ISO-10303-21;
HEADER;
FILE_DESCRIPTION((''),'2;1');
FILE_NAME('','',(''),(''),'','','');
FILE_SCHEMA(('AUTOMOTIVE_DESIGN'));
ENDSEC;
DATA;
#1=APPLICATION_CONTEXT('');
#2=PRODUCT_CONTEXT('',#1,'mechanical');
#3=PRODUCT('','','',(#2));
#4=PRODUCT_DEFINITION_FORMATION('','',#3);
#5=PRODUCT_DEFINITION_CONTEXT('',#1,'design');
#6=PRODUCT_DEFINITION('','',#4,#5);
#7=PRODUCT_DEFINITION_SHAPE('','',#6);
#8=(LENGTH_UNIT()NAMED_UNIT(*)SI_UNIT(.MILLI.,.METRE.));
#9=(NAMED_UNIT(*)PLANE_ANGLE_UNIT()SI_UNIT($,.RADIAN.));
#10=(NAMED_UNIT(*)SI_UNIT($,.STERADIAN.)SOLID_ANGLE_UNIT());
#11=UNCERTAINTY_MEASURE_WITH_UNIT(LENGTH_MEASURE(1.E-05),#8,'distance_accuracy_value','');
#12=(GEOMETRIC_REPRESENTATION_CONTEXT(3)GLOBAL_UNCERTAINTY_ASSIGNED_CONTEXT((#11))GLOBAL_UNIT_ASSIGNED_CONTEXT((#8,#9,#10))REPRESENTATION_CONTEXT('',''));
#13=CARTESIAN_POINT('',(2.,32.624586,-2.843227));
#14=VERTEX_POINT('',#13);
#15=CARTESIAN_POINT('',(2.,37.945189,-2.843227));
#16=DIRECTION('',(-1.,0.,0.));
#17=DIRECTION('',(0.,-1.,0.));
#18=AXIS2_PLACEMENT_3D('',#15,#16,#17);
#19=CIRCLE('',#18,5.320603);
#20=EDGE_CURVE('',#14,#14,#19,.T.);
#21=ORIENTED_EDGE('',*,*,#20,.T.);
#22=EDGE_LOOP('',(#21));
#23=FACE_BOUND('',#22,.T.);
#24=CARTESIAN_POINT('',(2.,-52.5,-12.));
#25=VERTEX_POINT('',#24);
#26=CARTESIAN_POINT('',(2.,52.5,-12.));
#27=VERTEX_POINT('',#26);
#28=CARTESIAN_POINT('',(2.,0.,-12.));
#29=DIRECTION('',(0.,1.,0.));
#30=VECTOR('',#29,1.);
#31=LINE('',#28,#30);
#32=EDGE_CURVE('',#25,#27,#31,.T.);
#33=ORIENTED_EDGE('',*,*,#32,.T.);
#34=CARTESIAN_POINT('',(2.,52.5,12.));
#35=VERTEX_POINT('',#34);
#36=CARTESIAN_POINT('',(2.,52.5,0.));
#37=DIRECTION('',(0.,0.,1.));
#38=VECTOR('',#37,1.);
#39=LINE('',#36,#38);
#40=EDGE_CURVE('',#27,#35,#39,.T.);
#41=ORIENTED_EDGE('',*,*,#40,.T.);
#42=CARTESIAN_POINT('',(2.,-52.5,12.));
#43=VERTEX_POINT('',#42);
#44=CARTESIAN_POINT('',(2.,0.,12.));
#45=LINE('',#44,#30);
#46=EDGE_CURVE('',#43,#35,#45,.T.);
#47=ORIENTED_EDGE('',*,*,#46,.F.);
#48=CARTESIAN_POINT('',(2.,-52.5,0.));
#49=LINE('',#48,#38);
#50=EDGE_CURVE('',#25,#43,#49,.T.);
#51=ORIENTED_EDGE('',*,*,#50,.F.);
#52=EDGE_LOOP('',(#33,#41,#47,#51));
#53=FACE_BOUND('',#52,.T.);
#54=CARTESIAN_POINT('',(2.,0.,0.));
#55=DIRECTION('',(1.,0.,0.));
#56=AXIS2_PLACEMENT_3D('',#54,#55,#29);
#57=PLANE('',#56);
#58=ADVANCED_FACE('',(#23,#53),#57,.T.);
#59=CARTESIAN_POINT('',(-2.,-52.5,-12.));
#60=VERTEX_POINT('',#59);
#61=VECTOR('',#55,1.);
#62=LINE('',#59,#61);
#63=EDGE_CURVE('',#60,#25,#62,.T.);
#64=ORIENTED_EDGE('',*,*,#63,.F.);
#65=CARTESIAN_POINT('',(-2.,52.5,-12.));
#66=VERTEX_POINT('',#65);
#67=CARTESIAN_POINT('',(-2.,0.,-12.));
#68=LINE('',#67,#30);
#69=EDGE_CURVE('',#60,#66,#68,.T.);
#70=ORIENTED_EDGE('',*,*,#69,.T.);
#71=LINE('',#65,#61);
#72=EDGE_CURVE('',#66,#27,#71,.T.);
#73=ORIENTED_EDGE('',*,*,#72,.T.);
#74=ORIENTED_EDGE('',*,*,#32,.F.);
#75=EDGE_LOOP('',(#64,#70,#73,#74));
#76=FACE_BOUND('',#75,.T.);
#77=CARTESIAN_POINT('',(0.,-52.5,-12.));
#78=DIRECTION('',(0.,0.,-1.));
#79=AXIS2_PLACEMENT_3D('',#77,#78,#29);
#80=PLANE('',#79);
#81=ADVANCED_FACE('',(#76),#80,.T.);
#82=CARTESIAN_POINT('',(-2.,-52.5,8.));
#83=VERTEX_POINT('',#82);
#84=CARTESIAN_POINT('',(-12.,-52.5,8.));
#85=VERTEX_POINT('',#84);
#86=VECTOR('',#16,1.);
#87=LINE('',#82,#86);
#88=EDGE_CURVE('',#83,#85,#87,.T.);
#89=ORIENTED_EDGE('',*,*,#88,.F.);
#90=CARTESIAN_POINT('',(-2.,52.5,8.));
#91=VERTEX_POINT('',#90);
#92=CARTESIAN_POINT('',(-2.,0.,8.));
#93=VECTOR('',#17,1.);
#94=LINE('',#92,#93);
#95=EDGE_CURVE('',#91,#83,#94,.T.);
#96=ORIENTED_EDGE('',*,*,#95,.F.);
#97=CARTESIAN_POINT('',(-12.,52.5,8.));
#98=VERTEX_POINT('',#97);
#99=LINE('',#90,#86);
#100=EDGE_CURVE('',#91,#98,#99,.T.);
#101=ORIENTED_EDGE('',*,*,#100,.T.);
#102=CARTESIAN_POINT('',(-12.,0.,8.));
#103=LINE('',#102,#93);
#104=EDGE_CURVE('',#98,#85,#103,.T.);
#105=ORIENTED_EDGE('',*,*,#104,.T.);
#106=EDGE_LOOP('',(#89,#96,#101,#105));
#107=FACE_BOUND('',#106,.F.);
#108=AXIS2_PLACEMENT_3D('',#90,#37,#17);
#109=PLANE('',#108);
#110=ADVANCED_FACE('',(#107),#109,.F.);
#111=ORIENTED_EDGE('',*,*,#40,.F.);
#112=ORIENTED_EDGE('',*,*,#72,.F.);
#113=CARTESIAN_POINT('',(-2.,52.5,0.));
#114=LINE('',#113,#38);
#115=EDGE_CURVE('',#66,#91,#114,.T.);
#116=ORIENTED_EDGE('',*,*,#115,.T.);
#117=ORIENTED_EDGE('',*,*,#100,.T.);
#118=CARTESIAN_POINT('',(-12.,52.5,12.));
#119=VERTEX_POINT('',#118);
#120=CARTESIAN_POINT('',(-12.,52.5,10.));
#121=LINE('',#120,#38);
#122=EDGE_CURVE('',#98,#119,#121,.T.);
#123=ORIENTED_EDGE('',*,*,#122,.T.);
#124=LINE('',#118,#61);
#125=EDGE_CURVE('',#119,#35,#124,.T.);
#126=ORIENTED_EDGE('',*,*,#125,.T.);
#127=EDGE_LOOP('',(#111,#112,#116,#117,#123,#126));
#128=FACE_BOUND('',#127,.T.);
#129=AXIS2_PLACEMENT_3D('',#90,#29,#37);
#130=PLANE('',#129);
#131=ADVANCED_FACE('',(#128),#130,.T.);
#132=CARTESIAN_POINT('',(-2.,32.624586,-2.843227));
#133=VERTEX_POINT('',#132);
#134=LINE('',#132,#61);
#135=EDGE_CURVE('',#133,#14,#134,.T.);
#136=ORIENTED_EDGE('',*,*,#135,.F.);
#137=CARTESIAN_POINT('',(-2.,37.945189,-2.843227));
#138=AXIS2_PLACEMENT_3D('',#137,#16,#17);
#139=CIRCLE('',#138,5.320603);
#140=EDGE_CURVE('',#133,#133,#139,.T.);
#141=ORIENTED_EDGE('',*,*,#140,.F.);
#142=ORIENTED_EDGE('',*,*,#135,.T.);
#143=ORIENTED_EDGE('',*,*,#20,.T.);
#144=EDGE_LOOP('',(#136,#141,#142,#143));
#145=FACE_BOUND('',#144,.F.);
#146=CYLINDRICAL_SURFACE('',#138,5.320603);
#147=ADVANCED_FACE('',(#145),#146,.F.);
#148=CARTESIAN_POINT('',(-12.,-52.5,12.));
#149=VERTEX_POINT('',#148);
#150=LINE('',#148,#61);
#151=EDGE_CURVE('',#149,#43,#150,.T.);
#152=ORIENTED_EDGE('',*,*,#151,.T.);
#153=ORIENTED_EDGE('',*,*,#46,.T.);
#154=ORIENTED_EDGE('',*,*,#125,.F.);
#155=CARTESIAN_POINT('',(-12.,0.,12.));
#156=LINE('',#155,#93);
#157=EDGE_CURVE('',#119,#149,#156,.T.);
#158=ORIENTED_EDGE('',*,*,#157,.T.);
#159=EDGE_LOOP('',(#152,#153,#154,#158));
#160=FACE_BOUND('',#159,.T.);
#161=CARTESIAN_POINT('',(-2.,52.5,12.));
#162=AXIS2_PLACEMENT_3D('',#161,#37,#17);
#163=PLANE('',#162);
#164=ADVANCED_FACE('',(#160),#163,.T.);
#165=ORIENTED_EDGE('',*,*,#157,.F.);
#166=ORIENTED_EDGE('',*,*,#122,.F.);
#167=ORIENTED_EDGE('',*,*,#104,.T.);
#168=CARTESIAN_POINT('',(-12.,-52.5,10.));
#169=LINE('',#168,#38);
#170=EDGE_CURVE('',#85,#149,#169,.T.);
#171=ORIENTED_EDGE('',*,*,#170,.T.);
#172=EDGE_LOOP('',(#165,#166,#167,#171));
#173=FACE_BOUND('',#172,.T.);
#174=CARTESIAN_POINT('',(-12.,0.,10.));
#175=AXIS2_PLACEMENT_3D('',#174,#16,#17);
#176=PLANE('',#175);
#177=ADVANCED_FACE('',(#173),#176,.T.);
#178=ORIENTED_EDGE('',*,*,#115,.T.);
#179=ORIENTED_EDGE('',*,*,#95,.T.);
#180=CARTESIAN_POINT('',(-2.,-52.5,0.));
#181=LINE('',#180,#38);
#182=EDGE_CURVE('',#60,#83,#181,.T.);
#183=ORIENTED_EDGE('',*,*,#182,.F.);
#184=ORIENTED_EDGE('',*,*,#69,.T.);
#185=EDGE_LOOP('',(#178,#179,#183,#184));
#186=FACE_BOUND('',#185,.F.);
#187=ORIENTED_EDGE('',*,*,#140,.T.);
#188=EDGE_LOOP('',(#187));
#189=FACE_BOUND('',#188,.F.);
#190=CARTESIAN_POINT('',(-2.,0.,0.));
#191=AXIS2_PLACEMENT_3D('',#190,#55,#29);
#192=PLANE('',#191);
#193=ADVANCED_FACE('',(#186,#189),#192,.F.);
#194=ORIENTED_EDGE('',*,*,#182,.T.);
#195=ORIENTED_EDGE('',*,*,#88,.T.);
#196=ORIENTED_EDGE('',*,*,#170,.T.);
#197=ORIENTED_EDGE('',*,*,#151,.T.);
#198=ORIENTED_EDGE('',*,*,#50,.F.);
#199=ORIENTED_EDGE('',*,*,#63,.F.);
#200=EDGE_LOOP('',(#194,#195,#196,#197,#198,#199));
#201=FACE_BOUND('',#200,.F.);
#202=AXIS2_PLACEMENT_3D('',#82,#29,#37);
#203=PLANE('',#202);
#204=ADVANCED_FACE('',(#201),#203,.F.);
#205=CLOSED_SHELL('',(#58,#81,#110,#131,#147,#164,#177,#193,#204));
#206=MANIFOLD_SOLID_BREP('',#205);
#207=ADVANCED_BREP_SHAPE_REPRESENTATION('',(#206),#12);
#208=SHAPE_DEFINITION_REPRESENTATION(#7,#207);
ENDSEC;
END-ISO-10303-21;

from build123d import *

# Parameters (mm, degrees)
F0_W          = 105
F0_H          = 24
F1_DEPTH      = 2
F1_DEPTH_BACK = 2
F2_W          = 105
F2_H          = 4
F3_DEPTH      = 10
F4_R          = 5.320603
F5_DEPTH      = 4.001


with BuildPart() as f1:
    # F0 (on Right) → F1 (new body, two sides)
    with BuildSketch(Plane.YZ) as f1_sk:
        Rectangle(F0_W, F0_H)
    extrude(amount=F1_DEPTH)
    extrude(f1_sk.sketch, amount=-F1_DEPTH_BACK)

    # F2 (on face) → F3 (join)
    with BuildSketch(Plane(origin=(-2, 0, 0), x_dir=(0, -1, 0), z_dir=(-1, 0, 0))):
        with Locations((0, 10)):
            Rectangle(F2_W, F2_H)
    extrude(amount=F3_DEPTH)

    # F4 (on face) → F5 (cut, through all)
    with BuildSketch(Plane(origin=(-2, 0, 0), x_dir=(0, -1, 0), z_dir=(-1, 0, 0))):
        with Locations((-37.945189, -2.843227)):
            Circle(F4_R)
    extrude(amount=-F5_DEPTH, mode=Mode.SUBTRACT)


solid = f1.part
